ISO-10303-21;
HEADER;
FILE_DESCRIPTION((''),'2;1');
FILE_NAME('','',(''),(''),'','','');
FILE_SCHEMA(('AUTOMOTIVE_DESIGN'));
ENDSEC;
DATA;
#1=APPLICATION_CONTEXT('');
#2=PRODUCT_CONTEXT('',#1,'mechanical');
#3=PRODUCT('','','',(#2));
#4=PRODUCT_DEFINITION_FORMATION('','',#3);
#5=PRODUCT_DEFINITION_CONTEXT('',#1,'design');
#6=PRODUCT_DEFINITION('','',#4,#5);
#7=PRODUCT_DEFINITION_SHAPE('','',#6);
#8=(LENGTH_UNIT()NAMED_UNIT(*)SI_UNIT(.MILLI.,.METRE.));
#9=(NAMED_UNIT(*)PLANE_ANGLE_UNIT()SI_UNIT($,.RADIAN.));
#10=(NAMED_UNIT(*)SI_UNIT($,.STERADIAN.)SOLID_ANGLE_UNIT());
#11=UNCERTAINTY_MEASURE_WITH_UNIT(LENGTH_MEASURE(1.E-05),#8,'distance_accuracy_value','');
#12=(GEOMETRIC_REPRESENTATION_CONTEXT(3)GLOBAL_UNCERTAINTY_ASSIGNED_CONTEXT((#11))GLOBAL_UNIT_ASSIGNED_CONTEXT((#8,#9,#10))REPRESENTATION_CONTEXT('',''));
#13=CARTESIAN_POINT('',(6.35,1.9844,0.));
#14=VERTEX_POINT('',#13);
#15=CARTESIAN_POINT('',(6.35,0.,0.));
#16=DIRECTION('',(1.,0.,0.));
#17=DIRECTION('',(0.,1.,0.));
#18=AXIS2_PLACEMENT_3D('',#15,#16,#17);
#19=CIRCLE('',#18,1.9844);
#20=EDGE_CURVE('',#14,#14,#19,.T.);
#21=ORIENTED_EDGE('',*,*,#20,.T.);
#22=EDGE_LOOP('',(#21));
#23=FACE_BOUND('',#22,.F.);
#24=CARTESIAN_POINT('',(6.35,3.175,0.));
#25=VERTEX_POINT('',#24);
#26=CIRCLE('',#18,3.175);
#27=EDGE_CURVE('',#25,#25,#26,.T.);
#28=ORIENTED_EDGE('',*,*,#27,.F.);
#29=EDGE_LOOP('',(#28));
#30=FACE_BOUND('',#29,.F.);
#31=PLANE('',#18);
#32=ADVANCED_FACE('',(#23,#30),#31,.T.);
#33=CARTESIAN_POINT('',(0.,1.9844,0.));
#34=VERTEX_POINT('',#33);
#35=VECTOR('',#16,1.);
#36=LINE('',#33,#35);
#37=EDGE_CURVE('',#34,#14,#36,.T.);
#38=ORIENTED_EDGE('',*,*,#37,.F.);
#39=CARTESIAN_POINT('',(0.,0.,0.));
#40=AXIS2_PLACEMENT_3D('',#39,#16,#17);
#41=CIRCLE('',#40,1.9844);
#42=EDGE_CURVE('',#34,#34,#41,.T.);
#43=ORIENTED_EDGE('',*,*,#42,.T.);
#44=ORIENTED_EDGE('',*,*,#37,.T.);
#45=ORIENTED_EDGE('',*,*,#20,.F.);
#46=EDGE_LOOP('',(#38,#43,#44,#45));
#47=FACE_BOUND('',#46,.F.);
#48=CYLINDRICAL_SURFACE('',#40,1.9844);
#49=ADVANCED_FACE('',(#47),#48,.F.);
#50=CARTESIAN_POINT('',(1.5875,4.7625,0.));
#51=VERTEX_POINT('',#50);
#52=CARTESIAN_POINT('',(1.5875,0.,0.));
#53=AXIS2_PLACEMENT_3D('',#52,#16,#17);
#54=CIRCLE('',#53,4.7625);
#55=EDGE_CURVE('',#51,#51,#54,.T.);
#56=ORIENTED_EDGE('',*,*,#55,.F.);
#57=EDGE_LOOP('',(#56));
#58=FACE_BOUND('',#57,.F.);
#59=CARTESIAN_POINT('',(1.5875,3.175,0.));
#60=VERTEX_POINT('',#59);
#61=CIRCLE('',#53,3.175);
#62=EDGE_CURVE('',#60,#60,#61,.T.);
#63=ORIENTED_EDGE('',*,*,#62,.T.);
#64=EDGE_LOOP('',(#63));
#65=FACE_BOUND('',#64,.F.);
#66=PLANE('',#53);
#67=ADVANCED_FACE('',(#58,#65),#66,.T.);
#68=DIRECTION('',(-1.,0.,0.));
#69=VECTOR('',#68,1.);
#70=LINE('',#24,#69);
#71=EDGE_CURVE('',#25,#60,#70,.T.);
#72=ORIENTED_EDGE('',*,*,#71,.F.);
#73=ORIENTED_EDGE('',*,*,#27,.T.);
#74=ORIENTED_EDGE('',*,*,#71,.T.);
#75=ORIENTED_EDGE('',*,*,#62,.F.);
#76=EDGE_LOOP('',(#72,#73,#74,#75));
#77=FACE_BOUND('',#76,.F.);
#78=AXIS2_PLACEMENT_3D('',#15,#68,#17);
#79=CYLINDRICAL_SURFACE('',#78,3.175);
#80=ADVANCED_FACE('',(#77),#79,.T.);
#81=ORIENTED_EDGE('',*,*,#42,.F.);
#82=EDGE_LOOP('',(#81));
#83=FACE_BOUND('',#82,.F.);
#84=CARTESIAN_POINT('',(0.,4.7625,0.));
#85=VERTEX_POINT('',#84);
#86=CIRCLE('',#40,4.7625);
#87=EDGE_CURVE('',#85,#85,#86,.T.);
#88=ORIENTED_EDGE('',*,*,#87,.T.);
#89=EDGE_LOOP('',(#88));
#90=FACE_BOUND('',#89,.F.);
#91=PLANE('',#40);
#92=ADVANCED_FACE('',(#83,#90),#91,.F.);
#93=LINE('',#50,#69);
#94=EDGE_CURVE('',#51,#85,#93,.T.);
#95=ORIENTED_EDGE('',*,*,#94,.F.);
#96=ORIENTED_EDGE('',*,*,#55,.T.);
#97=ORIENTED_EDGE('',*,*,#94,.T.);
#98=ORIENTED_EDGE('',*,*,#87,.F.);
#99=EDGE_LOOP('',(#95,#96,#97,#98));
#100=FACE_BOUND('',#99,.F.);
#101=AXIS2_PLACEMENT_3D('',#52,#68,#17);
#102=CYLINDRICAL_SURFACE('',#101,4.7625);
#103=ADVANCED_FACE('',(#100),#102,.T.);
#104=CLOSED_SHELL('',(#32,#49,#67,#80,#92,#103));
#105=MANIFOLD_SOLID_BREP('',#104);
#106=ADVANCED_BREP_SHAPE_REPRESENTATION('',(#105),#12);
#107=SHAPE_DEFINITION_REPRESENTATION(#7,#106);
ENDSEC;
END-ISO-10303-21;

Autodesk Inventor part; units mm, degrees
ref_plane "YZ Plane" through (0, 0, 0) normal (1, 0, 0) x (0, 1, 0)
ref_plane "XZ Plane" through (0, 0, 0) normal (0, 1, 0) x (-1, 0, 0)
ref_plane "XY Plane" through (0, 0, 0) normal (0, 0, 1) x (1, 0, 0)
sketch "Sketch1" plane through (0, 0, 0) normal (0, 0, 1) x (1, 0, 0)
  line L0 (0, 0) -> (6.4727, 0) construction
  line L1 (0, 1.9844) -> (6.35, 1.9844)
  line L2 (6.35, 1.9844) -> (6.35, 3.175)
  line L3 (6.35, 3.175) -> (1.5875, 3.175)
  line L4 (1.5875, 3.175) -> (1.5875, 4.7625)
  line L5 (1.5875, 4.7625) -> (0, 4.7625)
  line L6 (0, 4.7625) -> (0, 1.9844)
  dimension "d1" = 4.7625
  dimension "d5" = 9.525
  dimension "d6" = 3.9688
  dimension "d7" = 6.35
  dimension "d8" = 6.35
revolve "Revolution1" add sketch "Sketch1" angle 360 about axis through (0, 0, 0) along (1, 0, 0)
properties part number "Nylon Slider" material "Nylon 6/6"
